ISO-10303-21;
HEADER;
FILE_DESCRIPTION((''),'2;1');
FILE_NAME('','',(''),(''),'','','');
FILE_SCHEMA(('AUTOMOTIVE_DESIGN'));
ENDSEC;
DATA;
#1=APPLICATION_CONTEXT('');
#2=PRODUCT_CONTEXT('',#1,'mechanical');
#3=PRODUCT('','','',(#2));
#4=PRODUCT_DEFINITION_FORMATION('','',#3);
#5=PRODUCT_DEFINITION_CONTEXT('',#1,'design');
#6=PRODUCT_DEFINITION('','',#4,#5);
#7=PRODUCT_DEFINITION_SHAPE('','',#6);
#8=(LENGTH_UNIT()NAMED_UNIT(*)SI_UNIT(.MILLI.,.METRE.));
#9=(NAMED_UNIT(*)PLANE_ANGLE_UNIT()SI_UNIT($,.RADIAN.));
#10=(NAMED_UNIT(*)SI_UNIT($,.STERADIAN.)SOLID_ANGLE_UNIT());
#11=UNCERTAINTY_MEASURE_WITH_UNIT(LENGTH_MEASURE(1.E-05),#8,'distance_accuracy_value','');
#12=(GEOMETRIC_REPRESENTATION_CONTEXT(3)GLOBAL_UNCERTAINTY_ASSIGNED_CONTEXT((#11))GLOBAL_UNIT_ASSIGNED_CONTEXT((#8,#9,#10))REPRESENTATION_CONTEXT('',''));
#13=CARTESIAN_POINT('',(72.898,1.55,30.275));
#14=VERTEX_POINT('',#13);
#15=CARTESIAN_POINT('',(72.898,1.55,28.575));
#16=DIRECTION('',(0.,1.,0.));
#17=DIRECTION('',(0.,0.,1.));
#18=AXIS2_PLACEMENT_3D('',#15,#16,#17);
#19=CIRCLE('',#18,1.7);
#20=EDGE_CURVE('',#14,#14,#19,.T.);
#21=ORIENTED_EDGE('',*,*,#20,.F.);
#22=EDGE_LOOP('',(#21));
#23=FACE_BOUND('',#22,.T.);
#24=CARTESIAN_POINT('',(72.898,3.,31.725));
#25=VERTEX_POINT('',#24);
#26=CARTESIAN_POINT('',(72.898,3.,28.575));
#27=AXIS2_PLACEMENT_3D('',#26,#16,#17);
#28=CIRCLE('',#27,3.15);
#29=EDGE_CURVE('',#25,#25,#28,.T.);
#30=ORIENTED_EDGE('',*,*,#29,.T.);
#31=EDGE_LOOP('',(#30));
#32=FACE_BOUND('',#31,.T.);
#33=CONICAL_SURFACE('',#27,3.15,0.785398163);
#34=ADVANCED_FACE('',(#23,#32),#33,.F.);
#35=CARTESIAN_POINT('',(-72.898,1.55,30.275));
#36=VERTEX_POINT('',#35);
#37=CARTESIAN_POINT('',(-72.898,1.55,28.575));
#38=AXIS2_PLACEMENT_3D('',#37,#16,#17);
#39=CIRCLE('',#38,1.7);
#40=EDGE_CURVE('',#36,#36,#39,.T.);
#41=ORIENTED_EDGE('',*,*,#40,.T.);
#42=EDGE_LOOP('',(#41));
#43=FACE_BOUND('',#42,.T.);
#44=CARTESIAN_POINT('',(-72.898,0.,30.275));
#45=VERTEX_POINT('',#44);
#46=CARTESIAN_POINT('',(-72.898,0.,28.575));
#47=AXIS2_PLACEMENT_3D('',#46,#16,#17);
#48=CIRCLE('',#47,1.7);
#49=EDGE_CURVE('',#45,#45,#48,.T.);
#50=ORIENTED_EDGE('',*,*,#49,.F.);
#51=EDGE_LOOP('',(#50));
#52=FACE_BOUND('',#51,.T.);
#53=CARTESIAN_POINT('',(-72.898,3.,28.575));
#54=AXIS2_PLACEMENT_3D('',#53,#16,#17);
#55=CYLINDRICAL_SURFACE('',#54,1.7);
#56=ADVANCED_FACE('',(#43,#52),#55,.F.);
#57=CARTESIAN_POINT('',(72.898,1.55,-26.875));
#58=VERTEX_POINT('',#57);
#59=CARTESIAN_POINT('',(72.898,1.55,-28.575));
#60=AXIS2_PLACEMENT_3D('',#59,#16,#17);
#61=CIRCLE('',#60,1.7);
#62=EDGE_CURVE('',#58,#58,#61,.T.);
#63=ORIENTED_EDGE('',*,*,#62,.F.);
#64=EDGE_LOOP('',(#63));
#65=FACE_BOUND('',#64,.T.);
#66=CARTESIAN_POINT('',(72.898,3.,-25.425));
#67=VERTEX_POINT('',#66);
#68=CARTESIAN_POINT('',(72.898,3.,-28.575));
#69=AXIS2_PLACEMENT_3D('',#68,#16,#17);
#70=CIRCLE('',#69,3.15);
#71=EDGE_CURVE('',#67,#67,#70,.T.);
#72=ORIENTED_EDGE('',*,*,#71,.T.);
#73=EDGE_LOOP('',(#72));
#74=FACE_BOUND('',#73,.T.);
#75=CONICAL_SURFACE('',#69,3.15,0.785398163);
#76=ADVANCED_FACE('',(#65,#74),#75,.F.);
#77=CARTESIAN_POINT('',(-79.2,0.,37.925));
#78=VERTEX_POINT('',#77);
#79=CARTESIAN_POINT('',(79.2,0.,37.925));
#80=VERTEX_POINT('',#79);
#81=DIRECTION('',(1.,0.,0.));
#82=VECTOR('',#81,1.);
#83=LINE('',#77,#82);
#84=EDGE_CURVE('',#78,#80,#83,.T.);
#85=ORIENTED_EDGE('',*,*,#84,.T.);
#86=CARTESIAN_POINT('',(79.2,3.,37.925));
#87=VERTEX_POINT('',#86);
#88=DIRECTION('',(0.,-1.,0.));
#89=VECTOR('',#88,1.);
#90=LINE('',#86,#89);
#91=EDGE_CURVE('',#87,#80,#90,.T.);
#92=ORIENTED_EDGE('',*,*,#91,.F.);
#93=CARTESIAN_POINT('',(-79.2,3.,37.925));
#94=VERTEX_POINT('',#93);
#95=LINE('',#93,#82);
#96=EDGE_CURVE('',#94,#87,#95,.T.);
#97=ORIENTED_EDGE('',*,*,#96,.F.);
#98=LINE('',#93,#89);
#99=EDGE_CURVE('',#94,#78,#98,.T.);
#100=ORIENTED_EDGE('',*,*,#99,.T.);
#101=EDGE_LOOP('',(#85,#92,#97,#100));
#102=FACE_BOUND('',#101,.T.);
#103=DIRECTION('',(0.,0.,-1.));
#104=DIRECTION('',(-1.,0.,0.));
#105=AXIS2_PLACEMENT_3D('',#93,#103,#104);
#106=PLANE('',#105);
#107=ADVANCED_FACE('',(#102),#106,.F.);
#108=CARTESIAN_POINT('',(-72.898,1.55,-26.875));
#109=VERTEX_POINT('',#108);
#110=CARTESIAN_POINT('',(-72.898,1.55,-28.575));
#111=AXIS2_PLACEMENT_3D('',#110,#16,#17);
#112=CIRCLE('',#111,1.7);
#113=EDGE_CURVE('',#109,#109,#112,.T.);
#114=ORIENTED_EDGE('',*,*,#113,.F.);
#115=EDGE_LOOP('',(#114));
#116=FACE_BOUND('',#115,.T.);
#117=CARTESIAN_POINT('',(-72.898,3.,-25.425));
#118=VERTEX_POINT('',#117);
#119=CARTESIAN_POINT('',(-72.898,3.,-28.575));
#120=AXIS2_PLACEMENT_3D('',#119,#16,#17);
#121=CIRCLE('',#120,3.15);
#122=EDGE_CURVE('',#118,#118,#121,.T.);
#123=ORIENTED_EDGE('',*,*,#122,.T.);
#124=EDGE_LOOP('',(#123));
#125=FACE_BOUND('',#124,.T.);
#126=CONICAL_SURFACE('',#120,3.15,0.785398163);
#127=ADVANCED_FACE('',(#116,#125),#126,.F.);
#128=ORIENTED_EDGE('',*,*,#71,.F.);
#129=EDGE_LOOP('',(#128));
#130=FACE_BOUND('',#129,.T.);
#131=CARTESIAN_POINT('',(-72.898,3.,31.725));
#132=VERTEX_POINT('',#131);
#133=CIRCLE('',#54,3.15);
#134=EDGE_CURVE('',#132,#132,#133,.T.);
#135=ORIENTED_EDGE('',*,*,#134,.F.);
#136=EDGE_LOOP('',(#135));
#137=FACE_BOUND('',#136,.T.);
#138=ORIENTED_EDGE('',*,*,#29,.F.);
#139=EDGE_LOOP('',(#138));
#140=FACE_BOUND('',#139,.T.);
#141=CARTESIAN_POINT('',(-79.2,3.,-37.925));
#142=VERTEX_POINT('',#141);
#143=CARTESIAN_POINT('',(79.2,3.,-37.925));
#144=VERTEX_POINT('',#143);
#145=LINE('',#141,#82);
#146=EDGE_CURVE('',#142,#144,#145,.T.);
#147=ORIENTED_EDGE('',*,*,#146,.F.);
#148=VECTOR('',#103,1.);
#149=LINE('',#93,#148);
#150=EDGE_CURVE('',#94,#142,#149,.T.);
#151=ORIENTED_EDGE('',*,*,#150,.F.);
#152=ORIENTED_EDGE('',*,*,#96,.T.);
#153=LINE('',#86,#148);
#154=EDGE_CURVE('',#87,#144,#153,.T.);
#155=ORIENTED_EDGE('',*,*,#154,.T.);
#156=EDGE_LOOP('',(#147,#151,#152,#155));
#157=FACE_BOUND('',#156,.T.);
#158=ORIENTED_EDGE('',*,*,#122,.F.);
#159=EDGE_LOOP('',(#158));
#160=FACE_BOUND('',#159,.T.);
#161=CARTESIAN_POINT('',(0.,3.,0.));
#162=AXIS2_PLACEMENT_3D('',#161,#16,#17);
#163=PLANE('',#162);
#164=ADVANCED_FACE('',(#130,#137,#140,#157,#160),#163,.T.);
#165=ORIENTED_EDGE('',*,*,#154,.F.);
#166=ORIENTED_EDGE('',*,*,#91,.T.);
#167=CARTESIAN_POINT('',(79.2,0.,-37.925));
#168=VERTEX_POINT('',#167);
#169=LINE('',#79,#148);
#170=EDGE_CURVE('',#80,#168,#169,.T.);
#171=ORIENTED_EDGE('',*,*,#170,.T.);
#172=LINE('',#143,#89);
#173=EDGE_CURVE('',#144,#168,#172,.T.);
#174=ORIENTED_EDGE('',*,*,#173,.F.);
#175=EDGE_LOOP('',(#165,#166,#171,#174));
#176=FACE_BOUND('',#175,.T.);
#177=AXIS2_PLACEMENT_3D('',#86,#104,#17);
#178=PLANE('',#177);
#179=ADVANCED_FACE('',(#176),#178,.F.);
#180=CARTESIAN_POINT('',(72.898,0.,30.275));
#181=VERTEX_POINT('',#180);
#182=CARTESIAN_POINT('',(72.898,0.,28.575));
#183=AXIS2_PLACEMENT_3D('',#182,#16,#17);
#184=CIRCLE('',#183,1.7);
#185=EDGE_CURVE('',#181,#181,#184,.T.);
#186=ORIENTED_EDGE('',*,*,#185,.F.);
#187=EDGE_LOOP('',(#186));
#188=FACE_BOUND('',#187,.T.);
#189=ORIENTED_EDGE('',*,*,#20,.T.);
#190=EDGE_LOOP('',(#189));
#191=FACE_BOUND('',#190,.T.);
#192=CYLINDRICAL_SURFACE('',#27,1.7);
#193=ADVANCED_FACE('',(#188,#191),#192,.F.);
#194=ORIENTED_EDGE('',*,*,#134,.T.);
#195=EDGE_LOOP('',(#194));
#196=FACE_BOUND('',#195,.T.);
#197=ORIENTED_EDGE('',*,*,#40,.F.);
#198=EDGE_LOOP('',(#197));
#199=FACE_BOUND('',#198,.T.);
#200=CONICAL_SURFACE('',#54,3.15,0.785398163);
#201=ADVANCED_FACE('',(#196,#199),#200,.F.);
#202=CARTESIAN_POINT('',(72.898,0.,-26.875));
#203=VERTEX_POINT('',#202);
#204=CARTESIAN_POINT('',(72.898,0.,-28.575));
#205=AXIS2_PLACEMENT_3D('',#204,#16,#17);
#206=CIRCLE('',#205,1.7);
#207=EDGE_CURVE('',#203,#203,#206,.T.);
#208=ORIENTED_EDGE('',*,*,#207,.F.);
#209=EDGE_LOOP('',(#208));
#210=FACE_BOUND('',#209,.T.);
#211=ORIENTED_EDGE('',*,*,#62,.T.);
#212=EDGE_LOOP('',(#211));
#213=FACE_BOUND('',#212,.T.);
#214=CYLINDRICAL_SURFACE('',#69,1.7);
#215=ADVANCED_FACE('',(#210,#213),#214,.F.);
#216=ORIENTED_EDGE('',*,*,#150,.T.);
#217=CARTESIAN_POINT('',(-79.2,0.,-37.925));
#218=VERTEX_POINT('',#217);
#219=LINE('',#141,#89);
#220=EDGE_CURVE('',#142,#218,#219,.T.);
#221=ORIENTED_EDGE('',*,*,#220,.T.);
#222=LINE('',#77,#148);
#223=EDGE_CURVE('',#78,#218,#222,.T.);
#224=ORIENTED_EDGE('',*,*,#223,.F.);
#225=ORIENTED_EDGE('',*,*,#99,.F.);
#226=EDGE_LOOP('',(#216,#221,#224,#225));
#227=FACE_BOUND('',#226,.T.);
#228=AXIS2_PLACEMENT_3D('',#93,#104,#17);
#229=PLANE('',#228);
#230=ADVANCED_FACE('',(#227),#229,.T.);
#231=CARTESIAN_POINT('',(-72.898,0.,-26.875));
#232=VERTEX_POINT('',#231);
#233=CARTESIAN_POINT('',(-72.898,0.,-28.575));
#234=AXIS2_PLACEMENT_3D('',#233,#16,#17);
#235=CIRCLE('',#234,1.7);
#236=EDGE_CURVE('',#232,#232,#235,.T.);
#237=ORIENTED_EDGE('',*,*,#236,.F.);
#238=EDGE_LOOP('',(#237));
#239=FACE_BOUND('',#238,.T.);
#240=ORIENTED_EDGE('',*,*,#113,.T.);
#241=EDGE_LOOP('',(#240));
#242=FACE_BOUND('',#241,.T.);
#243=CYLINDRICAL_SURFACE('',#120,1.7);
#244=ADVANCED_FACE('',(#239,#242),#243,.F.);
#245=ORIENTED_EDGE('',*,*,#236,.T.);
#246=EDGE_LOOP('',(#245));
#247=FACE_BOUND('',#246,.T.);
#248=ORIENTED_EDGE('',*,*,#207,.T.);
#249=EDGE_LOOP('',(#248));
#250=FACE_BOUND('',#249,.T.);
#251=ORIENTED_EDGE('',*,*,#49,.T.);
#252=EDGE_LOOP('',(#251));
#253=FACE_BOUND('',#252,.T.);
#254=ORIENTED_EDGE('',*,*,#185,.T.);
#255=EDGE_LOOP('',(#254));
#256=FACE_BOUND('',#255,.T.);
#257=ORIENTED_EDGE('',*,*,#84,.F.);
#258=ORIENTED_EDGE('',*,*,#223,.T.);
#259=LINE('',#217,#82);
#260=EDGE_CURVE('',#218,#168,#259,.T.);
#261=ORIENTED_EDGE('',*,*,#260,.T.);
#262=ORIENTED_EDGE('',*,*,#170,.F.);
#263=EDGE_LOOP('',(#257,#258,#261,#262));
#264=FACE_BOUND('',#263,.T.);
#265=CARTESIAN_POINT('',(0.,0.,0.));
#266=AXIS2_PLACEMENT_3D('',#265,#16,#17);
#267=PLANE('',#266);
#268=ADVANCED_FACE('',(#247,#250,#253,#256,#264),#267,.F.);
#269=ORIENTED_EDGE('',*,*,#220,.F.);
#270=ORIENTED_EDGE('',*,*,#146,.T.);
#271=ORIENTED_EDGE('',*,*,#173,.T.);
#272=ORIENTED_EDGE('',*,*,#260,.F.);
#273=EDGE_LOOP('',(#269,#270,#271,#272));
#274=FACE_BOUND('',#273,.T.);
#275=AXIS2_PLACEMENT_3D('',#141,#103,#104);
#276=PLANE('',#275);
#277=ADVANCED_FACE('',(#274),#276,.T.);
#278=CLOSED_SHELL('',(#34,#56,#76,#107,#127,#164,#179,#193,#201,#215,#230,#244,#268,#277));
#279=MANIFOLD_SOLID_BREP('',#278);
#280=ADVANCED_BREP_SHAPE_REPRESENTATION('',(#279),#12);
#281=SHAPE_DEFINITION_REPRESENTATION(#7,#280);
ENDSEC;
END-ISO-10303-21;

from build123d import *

# Parameters (mm, degrees)
SKETCH1_W                                    = 158.400000192
SKETCH1_H                                    = 75.850000192
BOSS_EXTRUDE1_DEPTH                          = 3
CSK_FOR_M3_COUNTERSUNK_FLAT_HEAD_SCR_2_COUNT = 2
CSK_FOR_M3_COUNTERSUNK_FLAT_HEAD_SCR_2_PITCH = 57.15
CSK_FOR_M3_COUNTERSUNK_FLAT_HEAD_SCR_3_COUNT = 2
CSK_FOR_M3_COUNTERSUNK_FLAT_HEAD_SCR_3_PITCH = 156.596922435
CSK_FOR_M3_COUNTERSUNK_FLAT_HEAD_SCR_4_COUNT = 2
CSK_FOR_M3_COUNTERSUNK_FLAT_HEAD_SCR_4_PITCH = 145.796


with BuildPart() as part:
    # Sketch1 → Boss-Extrude1 (new body)
    with BuildSketch(Plane(origin=(0, 0, 0), x_dir=(1, 0, 0), z_dir=(0, 1, 0))):
        Rectangle(SKETCH1_W, SKETCH1_H)
    extrude(amount=BOSS_EXTRUDE1_DEPTH)

    # Sketch3 → CSK for M3 Countersunk Flat Head Screw1 (revolve, cut)
    with BuildSketch(Plane(origin=(-72.898, 3, -28.575), x_dir=(0, 0, 1), z_dir=(1, 0, 0))):
        Polygon((0, 0), (0, 3), (1.7, 3), (1.7, 1.45), (3.15, 0), align=None)
    csk_for_m3_countersunk_flat_head_screw1 = revolve(axis=Axis((-72.898, 9.35, -28.575), (0, -1, 0)), mode=Mode.SUBTRACT)

    # CSK for M3 Countersunk Flat Head Scr 2: CSK for M3 Countersunk Flat Head Screw1 ×2
    with Locations(*[(0, 0, i * CSK_FOR_M3_COUNTERSUNK_FLAT_HEAD_SCR_2_PITCH) for i in range(1, CSK_FOR_M3_COUNTERSUNK_FLAT_HEAD_SCR_2_COUNT)]):
        add(csk_for_m3_countersunk_flat_head_screw1, mode=Mode.SUBTRACT)

    # CSK for M3 Countersunk Flat Head Scr 3: CSK for M3 Countersunk Flat Head Screw1 ×2
    with Locations(*[Vector(0.9310272368912862, 0, 0.3649497008720199) * (i * CSK_FOR_M3_COUNTERSUNK_FLAT_HEAD_SCR_3_PITCH) for i in range(1, CSK_FOR_M3_COUNTERSUNK_FLAT_HEAD_SCR_3_COUNT)]):
        add(csk_for_m3_countersunk_flat_head_screw1, mode=Mode.SUBTRACT)

    # CSK for M3 Countersunk Flat Head Scr 4: CSK for M3 Countersunk Flat Head Screw1 ×2
    with Locations(*[(i * CSK_FOR_M3_COUNTERSUNK_FLAT_HEAD_SCR_4_PITCH, 0, 0) for i in range(1, CSK_FOR_M3_COUNTERSUNK_FLAT_HEAD_SCR_4_COUNT)]):
        add(csk_for_m3_countersunk_flat_head_screw1, mode=Mode.SUBTRACT)


solid = part.part
